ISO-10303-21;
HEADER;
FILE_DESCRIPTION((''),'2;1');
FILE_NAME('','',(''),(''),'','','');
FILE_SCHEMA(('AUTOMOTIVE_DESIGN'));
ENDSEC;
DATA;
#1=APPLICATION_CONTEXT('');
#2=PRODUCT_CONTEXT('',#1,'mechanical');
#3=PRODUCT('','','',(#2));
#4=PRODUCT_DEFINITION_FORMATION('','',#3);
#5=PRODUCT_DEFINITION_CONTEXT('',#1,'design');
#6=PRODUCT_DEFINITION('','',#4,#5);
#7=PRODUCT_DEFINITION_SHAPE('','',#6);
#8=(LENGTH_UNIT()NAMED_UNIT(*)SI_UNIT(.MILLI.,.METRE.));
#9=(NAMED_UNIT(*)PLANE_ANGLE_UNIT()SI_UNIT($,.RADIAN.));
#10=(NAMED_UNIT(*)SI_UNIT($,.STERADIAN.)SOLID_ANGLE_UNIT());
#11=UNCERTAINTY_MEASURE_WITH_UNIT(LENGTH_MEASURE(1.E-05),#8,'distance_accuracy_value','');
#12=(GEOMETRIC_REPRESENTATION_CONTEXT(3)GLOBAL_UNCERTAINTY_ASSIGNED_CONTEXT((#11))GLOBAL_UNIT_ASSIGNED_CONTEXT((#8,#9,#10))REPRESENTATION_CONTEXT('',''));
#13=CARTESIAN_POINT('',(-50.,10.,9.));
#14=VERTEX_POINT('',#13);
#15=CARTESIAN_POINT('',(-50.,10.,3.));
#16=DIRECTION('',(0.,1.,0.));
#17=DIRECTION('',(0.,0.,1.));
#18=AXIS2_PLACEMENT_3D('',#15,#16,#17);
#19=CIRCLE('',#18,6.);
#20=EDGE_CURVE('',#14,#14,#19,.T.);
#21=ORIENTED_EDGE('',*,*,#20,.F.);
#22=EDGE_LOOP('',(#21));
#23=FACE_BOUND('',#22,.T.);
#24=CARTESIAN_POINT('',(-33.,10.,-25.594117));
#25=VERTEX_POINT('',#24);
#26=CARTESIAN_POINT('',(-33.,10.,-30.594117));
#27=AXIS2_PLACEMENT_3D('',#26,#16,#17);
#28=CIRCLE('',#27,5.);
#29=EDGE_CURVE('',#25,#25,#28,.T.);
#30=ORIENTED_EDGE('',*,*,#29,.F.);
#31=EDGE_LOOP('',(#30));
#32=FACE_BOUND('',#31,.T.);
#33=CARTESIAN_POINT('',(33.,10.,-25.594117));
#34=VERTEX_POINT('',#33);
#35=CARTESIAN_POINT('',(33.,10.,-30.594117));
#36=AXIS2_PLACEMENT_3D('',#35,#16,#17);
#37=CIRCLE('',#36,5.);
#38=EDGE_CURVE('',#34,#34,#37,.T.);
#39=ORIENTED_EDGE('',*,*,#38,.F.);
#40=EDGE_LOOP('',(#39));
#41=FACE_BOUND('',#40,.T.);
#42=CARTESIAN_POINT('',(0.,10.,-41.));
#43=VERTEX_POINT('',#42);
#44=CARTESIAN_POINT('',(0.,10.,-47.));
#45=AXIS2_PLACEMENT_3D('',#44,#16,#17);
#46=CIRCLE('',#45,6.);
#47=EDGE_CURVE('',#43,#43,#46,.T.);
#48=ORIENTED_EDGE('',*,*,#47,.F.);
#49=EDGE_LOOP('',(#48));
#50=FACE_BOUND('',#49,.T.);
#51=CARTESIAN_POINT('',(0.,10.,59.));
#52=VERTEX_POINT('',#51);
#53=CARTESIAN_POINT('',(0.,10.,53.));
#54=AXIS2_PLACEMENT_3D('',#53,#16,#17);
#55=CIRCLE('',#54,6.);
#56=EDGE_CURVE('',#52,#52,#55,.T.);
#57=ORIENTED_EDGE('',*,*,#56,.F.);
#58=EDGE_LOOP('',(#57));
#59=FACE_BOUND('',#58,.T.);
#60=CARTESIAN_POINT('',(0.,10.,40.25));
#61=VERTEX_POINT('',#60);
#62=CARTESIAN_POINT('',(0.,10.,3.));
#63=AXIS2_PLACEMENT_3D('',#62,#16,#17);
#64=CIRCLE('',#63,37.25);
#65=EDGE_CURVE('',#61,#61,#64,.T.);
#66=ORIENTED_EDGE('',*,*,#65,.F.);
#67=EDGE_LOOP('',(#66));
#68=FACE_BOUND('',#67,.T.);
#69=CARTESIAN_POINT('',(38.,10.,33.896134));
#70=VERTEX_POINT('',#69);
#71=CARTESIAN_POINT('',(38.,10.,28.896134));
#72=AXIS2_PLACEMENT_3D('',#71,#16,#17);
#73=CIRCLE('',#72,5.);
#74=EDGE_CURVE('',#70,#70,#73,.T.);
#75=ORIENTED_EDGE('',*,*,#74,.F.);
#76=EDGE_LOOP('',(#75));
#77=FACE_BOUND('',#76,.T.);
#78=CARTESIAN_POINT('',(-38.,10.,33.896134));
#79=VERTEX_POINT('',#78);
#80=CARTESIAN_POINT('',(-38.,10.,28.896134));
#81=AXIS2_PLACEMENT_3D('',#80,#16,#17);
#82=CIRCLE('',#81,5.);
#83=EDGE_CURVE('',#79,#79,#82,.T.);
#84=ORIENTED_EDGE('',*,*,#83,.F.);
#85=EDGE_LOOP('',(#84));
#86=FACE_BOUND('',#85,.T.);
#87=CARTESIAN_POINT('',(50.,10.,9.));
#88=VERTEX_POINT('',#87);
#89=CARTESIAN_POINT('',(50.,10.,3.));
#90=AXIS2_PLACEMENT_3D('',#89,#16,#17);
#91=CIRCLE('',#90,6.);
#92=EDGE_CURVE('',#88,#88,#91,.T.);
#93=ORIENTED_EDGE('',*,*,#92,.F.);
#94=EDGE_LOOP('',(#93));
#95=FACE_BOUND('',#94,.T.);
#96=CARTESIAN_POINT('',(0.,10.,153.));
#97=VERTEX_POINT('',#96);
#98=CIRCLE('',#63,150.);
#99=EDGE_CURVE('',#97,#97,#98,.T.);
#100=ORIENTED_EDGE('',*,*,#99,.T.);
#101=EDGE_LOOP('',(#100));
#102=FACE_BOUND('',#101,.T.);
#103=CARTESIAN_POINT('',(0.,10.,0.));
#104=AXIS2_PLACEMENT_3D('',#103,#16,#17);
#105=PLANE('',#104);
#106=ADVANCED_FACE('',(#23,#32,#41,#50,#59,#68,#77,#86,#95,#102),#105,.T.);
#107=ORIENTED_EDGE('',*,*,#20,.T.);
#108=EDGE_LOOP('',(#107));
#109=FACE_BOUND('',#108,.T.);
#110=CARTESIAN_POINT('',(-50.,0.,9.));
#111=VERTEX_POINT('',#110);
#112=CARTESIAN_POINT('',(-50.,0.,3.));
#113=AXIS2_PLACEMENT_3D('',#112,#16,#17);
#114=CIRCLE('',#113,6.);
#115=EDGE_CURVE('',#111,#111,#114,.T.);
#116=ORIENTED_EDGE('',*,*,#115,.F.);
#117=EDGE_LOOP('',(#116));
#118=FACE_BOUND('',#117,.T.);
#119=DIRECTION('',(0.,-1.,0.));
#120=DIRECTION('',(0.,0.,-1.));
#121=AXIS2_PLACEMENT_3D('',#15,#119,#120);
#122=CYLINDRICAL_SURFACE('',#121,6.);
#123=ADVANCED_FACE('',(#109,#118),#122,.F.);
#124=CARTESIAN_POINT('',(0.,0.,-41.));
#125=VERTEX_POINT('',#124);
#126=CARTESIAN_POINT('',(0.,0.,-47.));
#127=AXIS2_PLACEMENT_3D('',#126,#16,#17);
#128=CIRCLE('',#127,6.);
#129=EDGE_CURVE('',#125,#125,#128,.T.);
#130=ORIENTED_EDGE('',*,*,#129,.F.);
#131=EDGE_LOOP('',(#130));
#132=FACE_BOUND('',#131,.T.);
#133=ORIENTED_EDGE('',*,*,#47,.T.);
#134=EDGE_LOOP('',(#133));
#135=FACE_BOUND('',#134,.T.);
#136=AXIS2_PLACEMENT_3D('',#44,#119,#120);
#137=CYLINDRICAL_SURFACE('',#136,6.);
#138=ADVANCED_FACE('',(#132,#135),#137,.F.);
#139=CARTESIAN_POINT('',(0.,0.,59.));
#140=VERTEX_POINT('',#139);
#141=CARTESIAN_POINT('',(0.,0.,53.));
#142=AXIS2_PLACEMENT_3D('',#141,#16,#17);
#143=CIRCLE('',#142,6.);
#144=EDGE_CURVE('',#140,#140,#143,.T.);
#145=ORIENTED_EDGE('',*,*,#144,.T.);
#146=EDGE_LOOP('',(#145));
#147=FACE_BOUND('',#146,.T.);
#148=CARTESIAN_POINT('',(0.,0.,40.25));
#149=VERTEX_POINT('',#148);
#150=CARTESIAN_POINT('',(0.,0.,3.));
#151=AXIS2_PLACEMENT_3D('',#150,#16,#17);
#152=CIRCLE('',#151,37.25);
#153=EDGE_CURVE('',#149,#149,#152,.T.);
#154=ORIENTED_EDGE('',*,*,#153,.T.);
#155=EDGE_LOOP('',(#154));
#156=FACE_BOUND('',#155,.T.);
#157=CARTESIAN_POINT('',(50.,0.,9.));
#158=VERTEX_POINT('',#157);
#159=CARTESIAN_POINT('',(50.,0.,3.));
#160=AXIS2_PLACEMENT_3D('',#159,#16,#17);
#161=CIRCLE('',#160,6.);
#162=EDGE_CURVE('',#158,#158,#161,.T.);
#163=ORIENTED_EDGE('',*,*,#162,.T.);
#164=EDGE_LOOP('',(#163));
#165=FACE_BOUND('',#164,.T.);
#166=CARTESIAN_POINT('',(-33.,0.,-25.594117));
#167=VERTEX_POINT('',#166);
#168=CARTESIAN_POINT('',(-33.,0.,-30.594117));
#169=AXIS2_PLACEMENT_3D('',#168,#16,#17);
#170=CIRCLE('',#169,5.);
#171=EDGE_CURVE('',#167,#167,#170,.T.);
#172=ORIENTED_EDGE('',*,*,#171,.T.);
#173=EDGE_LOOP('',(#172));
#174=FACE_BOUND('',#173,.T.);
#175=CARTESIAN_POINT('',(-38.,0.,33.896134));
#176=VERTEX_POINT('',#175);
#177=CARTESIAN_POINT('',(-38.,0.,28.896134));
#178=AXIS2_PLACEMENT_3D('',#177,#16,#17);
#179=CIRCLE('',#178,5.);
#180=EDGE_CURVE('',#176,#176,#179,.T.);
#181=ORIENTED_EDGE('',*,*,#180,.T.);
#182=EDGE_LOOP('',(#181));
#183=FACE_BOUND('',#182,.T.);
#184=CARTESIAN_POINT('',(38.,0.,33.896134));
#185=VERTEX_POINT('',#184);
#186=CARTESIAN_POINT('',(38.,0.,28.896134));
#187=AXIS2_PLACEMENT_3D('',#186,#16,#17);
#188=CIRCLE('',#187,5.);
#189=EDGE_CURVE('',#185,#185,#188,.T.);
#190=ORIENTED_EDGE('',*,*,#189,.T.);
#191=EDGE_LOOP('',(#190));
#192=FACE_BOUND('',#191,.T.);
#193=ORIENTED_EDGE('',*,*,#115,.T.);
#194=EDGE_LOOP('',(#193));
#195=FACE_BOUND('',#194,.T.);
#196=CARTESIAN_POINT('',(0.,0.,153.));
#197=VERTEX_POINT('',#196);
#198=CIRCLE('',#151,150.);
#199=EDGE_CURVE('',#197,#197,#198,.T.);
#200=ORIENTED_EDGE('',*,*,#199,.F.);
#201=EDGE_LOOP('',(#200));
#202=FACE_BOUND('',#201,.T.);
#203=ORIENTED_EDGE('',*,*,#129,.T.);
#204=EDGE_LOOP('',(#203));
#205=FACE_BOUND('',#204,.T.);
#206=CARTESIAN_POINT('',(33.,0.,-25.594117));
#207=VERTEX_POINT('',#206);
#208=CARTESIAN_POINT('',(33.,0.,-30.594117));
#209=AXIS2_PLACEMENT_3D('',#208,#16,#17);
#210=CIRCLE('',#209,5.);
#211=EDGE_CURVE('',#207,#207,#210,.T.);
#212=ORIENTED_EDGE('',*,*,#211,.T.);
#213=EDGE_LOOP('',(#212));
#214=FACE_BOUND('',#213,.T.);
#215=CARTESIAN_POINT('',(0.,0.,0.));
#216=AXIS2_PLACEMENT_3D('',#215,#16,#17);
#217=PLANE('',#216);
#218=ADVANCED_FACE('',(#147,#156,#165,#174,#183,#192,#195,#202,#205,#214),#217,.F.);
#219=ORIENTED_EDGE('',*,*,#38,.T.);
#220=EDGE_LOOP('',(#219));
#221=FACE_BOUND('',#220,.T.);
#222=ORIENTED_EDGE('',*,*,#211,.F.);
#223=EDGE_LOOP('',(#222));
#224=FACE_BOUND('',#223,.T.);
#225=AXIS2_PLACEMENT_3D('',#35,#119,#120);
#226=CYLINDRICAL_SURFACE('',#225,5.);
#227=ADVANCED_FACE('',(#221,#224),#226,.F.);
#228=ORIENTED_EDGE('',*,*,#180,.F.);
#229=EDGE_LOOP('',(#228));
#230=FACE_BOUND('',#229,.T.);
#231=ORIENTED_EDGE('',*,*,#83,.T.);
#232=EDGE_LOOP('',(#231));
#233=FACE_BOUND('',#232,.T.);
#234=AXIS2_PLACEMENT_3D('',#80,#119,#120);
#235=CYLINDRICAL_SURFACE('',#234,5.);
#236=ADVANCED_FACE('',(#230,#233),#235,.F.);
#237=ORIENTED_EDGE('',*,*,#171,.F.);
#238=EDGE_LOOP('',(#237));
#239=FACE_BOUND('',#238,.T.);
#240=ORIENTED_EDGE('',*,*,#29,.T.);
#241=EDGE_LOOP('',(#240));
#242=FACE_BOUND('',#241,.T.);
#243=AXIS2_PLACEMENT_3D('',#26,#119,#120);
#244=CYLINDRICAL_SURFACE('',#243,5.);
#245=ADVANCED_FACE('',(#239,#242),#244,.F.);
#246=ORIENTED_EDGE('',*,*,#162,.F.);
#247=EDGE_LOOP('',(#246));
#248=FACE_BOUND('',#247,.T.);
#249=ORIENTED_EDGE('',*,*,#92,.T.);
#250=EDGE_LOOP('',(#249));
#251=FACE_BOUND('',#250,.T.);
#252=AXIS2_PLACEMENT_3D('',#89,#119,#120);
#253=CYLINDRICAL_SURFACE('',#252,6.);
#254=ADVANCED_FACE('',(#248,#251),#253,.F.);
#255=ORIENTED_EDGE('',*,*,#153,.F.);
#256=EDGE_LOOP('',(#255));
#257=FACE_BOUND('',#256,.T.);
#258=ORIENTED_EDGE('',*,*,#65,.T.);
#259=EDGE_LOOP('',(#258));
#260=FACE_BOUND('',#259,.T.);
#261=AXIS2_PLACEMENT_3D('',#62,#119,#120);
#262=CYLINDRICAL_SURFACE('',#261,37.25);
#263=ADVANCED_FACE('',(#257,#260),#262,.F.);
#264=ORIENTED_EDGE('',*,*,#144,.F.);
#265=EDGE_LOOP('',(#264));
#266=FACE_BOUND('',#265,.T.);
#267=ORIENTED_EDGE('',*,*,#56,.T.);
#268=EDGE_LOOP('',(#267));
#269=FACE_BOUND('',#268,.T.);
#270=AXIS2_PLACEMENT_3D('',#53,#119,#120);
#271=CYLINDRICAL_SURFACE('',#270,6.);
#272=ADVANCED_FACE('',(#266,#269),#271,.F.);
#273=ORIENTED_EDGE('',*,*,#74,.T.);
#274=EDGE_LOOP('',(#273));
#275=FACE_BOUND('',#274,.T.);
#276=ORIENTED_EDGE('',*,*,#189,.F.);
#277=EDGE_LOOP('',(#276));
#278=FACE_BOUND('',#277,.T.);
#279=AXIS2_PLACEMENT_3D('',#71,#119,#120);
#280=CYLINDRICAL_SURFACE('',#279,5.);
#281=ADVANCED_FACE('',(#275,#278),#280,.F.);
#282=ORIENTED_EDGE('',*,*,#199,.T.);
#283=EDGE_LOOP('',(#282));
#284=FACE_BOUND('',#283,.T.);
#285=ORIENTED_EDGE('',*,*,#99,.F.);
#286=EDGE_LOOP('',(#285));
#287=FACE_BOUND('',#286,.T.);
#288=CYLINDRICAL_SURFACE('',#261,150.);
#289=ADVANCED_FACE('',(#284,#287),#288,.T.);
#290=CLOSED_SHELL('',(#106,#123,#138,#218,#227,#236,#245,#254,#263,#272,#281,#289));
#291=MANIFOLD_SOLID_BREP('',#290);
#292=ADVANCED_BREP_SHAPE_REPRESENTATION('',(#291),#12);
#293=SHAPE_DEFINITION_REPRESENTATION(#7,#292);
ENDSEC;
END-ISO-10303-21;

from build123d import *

# Parameters (mm, degrees)
SKETCH1_R           = 150
SKETCH1_R_2         = 5
SKETCH1_R_3         = 37.25
SKETCH1_R_4         = 6
BOSS_EXTRUDE1_DEPTH = 10


with BuildPart() as part:
    # Sketch1 → Boss-Extrude1 (new body)
    with BuildSketch(Plane(origin=(0, 0, 0), x_dir=(1, 0, 0), z_dir=(0, 1, 0))):
        with Locations(Location((0, -3, 0), (0, 0, 270))):
            Circle(SKETCH1_R)
        with Locations(Location((-33, 30.594117082, 0), (0, 0, 270))):
            Circle(SKETCH1_R_2, mode=Mode.SUBTRACT)
        with Locations(Location((33, 30.594117082, 0), (0, 0, 270))):
            Circle(SKETCH1_R_2, mode=Mode.SUBTRACT)
        with Locations(Location((38, -28.896134221, 0), (0, 0, 270))):
            Circle(SKETCH1_R_2, mode=Mode.SUBTRACT)
        with Locations(Location((-38, -28.896134221, 0), (0, 0, 270))):
            Circle(SKETCH1_R_2, mode=Mode.SUBTRACT)
        with Locations(Location((0, -3, 0), (0, 0, 270))):
            Circle(SKETCH1_R_3, mode=Mode.SUBTRACT)
        with Locations(Location((0, 47, 0), (0, 0, 270))):
            Circle(SKETCH1_R_4, mode=Mode.SUBTRACT)
        with Locations(Location((50, -3, 0), (0, 0, 270))):
            Circle(SKETCH1_R_4, mode=Mode.SUBTRACT)
        with Locations(Location((0, -53, 0), (0, 0, 270))):
            Circle(SKETCH1_R_4, mode=Mode.SUBTRACT)
        with Locations(Location((-50, -3, 0), (0, 0, 270))):
            Circle(SKETCH1_R_4, mode=Mode.SUBTRACT)
    extrude(amount=BOSS_EXTRUDE1_DEPTH)


solid = part.part
